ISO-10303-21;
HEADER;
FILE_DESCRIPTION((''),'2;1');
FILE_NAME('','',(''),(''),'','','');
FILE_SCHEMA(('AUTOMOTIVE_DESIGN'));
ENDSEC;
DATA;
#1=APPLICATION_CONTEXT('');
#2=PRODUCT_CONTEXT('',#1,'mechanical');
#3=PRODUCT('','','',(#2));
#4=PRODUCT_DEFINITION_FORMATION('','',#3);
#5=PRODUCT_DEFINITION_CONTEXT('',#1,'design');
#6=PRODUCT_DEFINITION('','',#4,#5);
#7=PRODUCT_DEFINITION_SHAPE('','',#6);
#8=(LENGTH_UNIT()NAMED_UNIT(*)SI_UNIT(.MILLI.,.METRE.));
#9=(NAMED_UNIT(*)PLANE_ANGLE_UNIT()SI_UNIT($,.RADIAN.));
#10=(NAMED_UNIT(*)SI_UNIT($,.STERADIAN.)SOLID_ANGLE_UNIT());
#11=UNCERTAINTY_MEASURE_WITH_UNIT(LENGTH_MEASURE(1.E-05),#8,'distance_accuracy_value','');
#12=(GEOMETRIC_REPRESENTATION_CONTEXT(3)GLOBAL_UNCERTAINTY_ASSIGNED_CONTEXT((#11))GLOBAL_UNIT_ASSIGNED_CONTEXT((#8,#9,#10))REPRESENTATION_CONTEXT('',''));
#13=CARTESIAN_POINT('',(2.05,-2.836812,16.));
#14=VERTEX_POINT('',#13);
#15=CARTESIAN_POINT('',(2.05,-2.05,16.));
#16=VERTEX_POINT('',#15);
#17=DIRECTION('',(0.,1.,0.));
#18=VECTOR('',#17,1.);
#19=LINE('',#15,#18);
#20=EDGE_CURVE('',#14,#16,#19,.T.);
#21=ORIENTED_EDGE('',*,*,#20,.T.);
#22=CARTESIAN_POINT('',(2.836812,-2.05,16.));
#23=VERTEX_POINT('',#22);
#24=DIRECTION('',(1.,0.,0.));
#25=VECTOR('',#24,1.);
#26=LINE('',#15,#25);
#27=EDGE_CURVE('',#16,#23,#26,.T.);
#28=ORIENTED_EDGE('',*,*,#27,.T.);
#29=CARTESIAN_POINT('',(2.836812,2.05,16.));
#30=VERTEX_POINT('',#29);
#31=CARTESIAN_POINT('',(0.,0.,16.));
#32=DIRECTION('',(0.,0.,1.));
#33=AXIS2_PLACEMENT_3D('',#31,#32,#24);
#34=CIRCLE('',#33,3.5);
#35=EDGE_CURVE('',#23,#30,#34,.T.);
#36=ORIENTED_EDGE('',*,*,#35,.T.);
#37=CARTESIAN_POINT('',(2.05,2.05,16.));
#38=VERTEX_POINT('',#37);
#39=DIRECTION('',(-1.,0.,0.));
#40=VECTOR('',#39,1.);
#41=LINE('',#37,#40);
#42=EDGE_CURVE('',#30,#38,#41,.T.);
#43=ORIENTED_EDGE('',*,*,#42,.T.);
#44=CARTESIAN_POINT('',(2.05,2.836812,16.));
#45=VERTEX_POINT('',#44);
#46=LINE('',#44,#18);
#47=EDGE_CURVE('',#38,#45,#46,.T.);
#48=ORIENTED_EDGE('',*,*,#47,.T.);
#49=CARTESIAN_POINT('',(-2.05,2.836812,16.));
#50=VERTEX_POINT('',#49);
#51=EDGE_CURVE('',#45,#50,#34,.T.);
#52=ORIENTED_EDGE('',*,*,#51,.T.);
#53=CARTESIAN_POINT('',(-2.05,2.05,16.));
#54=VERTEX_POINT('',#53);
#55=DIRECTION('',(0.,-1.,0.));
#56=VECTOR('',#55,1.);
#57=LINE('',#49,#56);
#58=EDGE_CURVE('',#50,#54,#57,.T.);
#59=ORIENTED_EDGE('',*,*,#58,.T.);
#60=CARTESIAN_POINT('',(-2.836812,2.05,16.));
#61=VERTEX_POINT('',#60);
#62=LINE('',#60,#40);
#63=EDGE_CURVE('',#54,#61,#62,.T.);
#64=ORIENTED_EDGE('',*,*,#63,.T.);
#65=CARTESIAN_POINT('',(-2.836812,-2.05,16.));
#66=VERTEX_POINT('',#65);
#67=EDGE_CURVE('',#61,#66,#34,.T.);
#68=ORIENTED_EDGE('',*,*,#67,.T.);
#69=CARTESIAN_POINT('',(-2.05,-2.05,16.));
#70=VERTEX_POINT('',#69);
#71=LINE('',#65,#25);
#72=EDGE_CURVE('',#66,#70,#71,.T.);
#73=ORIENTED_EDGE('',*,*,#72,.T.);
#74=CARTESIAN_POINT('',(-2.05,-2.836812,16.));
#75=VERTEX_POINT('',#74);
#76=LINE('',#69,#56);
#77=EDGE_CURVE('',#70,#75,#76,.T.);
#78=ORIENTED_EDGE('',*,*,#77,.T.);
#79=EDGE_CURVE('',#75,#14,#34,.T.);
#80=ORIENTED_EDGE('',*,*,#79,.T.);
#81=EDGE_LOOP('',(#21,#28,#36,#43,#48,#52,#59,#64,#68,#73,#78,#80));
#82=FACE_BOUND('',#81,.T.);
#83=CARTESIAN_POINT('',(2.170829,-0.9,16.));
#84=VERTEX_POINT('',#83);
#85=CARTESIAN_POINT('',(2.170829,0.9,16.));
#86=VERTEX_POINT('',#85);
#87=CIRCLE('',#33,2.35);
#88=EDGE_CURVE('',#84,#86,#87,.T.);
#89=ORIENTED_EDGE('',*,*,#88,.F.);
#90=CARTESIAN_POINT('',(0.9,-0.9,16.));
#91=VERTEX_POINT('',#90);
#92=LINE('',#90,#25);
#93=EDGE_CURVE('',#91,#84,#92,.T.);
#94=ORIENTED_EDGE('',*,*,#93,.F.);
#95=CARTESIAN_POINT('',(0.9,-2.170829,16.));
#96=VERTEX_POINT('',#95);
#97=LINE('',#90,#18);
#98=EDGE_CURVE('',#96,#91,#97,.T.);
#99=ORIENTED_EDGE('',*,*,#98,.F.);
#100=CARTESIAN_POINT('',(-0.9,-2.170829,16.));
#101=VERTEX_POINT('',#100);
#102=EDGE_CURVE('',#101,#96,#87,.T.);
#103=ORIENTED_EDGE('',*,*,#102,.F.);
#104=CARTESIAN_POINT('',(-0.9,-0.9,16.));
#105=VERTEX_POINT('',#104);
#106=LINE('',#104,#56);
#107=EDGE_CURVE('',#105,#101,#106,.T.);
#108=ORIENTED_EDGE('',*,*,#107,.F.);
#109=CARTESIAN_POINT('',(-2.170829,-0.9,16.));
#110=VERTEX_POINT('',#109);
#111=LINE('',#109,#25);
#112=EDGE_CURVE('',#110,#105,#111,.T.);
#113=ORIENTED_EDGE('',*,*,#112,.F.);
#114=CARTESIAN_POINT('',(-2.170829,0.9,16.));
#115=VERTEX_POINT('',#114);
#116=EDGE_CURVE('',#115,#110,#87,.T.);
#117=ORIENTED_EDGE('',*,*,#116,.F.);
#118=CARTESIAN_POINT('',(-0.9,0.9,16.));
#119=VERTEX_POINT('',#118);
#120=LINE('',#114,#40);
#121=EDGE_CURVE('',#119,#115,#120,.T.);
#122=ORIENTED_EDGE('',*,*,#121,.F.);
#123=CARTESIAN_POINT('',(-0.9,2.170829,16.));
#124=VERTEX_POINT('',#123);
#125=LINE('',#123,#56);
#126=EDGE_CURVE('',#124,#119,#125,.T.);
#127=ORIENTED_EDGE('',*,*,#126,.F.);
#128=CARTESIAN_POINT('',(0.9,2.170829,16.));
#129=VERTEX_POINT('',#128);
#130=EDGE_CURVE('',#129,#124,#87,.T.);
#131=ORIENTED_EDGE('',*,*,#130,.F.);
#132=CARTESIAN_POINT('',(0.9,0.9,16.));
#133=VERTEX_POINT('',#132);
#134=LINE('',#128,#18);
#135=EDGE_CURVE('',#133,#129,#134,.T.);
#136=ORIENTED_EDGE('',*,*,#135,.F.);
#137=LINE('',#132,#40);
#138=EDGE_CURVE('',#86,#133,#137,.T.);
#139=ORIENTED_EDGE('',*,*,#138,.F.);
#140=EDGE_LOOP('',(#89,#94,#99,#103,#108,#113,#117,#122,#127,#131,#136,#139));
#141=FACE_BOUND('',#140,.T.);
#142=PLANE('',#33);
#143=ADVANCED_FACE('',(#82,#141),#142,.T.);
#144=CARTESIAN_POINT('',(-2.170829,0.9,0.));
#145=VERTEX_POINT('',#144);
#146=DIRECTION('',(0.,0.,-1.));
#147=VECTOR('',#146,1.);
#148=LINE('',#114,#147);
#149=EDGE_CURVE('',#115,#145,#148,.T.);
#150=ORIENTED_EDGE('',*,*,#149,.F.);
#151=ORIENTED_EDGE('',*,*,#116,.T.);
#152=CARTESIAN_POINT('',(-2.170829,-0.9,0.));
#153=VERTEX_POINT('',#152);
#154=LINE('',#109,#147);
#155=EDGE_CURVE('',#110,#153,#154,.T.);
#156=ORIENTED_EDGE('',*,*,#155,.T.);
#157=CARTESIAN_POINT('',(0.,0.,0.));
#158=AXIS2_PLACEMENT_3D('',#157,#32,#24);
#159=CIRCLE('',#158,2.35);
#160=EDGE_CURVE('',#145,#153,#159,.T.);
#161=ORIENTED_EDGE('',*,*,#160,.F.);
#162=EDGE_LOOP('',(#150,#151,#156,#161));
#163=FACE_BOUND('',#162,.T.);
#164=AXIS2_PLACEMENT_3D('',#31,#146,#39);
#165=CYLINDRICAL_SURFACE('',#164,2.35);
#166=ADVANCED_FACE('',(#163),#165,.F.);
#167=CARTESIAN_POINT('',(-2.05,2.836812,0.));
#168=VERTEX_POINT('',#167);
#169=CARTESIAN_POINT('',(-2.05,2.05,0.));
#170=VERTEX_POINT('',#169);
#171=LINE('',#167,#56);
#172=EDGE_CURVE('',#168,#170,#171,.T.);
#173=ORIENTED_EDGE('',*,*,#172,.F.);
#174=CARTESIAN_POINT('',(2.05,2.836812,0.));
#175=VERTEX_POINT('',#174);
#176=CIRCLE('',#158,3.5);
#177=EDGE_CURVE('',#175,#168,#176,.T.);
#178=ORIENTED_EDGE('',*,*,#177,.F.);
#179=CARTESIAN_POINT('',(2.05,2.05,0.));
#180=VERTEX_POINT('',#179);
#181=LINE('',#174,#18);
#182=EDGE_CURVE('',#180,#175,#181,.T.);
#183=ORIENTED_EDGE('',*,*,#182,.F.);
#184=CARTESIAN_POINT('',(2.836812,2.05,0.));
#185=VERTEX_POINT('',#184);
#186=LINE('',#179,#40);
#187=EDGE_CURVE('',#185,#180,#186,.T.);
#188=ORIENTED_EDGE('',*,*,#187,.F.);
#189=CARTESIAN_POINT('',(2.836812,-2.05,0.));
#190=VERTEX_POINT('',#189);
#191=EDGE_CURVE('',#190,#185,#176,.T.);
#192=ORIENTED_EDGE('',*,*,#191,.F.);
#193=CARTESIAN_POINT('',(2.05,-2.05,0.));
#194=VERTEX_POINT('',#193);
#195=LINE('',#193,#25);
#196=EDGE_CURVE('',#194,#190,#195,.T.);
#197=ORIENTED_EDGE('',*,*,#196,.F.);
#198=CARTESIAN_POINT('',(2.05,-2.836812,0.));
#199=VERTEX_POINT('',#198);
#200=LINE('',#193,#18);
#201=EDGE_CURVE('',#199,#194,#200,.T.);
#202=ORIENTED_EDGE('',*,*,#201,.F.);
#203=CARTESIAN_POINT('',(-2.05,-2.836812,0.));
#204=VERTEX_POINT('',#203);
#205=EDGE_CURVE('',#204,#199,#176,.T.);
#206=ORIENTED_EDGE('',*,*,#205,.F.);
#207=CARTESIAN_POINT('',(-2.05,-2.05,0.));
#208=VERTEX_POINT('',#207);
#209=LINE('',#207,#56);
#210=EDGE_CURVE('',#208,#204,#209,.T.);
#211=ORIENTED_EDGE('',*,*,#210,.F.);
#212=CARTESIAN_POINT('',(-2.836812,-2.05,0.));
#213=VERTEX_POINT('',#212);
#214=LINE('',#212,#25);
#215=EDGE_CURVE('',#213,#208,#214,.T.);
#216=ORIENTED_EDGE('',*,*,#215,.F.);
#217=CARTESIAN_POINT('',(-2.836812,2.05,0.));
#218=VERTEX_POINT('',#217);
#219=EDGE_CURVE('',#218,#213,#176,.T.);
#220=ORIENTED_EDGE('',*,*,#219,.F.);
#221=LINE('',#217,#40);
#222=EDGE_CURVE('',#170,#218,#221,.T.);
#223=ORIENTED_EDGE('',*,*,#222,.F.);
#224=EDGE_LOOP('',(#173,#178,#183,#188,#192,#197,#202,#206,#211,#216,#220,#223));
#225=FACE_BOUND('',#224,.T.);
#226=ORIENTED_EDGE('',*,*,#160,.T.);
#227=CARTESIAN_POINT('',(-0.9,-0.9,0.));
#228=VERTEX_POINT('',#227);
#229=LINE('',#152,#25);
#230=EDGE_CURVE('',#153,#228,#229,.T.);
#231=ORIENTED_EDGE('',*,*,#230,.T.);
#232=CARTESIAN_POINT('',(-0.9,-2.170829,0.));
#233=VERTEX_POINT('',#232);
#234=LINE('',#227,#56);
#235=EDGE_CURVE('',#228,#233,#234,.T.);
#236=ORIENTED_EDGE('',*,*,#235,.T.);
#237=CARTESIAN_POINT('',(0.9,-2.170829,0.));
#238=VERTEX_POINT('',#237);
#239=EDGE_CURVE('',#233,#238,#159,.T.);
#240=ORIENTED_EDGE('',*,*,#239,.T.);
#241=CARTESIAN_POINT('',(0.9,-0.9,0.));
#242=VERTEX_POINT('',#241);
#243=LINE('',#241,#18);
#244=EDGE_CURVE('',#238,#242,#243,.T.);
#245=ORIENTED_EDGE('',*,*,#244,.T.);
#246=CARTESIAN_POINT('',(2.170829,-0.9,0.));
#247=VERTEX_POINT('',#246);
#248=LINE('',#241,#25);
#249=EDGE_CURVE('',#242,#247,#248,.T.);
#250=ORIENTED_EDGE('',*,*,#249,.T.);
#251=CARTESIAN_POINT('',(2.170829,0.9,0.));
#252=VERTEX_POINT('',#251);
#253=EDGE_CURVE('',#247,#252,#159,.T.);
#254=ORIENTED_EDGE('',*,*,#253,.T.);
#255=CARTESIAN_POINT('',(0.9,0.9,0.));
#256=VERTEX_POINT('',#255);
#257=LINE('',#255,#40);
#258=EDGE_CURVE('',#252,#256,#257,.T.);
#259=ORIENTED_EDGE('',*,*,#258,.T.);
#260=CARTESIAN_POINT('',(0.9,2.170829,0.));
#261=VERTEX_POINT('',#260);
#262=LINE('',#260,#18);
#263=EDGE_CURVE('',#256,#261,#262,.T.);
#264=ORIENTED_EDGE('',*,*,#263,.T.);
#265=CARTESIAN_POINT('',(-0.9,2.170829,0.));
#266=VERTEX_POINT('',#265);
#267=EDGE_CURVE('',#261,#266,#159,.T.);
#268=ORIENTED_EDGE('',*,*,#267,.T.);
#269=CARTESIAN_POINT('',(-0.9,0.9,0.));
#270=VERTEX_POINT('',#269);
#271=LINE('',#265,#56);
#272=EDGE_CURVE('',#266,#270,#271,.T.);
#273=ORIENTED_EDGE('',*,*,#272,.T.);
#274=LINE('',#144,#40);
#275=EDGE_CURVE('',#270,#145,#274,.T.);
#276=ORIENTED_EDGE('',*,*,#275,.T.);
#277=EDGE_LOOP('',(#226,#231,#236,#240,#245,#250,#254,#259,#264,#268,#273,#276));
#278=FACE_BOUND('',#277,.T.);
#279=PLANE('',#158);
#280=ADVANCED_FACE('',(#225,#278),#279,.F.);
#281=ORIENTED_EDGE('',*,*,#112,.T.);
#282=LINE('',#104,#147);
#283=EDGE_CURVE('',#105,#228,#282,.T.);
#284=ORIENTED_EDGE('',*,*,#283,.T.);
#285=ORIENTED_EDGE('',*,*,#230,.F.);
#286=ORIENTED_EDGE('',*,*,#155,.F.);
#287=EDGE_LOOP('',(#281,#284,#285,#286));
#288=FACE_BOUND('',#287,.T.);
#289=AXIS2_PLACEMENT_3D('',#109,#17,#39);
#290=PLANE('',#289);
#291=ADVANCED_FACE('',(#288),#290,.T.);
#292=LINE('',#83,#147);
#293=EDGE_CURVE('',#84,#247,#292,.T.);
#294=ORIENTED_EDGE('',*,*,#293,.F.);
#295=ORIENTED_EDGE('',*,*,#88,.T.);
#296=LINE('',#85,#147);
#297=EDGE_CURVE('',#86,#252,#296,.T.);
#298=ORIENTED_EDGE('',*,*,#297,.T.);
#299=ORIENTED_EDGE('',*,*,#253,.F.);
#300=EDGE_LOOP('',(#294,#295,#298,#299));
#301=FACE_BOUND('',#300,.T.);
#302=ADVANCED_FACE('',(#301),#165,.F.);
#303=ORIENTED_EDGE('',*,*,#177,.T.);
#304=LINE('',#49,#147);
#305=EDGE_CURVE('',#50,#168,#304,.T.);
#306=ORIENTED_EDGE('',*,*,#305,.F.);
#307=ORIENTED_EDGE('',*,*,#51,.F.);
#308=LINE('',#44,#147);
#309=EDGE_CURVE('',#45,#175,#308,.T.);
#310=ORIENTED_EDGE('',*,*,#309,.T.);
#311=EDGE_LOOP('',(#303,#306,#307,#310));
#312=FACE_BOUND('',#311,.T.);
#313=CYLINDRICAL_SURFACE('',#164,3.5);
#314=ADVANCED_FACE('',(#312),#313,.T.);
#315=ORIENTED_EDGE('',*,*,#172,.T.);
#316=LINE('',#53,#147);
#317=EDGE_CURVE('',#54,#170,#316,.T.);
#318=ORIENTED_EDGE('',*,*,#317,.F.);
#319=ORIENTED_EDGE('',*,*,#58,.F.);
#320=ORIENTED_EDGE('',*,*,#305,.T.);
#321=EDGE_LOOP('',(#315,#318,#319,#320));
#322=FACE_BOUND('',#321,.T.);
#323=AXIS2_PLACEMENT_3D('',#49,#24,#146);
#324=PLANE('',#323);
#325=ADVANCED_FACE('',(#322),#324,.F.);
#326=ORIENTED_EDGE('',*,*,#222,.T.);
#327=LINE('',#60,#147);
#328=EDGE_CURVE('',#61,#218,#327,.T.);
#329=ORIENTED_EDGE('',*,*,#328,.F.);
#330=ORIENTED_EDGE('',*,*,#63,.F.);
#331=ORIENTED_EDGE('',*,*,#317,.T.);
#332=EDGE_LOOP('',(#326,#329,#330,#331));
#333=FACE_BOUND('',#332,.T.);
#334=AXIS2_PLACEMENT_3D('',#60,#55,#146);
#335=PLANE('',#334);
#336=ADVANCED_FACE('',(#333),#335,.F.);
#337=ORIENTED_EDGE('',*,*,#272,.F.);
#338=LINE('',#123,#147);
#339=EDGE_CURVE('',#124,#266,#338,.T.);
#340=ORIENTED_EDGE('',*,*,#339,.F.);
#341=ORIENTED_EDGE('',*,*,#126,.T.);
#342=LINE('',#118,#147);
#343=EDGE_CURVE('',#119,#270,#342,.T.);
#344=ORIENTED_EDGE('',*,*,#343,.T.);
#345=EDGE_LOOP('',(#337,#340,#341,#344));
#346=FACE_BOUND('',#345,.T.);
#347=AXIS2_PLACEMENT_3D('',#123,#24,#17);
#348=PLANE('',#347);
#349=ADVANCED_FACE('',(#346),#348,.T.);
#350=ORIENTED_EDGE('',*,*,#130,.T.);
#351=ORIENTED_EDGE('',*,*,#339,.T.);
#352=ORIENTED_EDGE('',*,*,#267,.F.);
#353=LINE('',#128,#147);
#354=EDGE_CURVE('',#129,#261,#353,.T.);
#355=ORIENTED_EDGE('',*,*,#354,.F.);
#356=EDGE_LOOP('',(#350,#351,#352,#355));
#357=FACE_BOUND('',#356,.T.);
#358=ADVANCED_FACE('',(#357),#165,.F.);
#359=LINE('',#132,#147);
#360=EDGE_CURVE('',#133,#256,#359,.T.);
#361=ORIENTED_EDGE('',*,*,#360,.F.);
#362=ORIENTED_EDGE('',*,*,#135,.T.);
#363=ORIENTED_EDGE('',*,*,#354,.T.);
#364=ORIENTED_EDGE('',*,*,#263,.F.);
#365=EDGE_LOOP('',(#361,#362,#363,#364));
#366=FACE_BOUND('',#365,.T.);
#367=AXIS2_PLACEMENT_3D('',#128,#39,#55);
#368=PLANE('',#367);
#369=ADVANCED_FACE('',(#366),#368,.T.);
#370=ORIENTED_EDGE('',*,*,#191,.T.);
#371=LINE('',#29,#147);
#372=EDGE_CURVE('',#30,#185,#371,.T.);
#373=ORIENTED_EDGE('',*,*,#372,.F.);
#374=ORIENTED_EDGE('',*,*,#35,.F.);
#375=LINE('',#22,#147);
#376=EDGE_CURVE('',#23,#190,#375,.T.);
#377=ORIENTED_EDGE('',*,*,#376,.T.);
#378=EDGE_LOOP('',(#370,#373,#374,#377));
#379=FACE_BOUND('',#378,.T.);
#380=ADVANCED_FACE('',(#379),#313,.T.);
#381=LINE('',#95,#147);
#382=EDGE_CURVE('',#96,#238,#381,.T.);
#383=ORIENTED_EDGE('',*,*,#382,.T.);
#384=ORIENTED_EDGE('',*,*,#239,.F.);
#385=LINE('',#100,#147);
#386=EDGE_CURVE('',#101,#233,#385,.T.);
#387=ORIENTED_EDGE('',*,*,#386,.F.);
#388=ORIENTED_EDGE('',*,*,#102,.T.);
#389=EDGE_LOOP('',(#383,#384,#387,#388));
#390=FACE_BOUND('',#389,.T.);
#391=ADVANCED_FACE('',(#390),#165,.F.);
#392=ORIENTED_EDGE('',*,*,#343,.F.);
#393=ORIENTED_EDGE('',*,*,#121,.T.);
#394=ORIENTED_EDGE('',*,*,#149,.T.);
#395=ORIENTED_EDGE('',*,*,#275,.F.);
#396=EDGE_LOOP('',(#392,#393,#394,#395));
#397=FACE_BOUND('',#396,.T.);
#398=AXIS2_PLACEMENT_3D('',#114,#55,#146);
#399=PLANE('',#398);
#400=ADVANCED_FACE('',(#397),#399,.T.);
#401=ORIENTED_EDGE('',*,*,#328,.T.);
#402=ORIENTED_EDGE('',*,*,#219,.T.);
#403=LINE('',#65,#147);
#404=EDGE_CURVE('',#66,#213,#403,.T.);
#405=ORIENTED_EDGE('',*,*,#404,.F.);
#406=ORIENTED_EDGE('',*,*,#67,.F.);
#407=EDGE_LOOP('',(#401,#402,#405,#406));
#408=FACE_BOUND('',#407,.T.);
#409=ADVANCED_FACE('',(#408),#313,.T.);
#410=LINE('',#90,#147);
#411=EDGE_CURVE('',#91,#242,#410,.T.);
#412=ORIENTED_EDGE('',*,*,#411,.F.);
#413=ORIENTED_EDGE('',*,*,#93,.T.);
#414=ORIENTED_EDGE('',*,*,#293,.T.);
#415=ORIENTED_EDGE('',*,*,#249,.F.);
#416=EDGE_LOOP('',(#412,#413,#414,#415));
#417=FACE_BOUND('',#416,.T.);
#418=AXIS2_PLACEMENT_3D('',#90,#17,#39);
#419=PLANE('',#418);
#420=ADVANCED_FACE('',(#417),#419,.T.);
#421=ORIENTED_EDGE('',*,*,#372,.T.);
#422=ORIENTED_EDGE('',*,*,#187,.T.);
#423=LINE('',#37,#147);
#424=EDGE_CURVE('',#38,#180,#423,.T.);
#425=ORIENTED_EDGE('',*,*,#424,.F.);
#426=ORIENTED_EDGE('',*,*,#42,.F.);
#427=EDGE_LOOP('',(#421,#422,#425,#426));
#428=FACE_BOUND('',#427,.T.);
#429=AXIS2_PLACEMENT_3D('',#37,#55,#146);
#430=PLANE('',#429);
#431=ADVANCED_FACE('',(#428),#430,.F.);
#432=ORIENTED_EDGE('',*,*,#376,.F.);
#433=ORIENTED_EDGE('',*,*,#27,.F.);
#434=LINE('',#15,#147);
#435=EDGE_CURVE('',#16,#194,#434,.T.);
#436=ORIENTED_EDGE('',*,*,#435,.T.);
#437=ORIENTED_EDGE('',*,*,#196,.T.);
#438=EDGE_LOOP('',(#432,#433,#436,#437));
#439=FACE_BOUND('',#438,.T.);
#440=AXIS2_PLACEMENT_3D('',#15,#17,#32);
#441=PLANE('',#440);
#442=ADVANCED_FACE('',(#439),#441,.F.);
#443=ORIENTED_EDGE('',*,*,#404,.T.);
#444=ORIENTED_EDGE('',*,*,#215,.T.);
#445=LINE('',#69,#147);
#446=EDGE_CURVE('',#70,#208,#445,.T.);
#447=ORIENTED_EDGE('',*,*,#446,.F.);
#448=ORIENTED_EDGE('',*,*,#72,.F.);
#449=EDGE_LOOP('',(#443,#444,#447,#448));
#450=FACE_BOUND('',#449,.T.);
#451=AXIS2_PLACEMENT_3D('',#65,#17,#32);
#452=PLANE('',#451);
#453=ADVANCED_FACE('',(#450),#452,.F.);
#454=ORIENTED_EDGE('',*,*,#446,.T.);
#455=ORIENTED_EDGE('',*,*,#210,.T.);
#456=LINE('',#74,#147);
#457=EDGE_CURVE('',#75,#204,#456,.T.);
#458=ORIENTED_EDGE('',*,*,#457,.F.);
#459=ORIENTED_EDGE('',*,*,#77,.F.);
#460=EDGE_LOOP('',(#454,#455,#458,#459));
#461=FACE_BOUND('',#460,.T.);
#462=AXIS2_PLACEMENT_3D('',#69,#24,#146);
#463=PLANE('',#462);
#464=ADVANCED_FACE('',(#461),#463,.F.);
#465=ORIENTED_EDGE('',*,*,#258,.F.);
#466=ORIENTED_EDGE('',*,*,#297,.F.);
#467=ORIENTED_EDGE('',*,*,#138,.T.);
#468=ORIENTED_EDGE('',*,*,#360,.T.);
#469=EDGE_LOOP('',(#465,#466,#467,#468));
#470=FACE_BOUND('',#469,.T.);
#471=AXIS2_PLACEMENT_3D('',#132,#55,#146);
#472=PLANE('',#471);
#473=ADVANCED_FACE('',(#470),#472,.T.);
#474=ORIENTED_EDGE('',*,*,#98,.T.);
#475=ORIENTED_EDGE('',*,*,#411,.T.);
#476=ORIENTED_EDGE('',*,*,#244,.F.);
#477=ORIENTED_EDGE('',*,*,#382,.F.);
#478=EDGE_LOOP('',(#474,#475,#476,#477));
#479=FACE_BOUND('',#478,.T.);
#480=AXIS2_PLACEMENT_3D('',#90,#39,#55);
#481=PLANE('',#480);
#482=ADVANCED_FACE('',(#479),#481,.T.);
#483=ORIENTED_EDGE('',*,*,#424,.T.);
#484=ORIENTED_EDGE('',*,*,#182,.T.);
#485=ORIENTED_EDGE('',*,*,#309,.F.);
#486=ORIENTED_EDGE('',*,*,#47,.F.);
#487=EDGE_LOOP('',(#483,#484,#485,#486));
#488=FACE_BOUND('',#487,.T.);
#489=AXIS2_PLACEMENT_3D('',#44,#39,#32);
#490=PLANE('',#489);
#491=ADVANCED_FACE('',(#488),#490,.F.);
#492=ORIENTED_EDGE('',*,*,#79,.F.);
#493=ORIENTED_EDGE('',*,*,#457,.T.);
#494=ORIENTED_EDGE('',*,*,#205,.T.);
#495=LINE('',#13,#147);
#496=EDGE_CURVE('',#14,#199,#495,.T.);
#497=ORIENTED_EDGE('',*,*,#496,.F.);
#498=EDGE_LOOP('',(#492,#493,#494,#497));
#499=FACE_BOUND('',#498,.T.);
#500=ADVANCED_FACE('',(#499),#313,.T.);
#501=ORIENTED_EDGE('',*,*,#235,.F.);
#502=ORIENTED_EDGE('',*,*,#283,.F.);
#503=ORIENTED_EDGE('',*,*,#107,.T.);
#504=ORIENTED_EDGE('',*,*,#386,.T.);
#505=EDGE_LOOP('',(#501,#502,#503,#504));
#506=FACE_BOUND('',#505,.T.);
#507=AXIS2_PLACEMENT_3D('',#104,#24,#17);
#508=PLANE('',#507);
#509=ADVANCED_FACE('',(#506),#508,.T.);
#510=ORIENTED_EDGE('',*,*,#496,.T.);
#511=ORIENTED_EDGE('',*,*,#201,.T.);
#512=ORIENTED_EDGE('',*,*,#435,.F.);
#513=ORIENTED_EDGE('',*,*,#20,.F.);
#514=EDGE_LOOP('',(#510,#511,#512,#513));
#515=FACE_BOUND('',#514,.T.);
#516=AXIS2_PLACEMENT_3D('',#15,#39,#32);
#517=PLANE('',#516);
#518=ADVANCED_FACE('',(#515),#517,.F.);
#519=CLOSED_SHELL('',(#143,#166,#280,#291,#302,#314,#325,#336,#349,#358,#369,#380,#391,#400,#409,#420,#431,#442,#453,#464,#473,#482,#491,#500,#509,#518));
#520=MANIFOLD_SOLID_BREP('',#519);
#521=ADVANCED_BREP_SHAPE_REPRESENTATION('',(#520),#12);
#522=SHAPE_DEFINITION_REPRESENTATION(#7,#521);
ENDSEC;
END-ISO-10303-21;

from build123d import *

# Parameters (mm, degrees)
BOSS_EXTRUDE1_DEPTH = 16


with BuildPart() as part:
    # Sketch1 → Boss-Extrude1 (new body)
    with BuildSketch(Plane.XY):
        with BuildLine():
            Line((-2.05, 2.836811591), (-2.05, 2.05))
            Line((-2.05, 2.05), (-2.836811591, 2.05))
            ThreePointArc((-2.836811591, 2.05), (-3.5, 0), (-2.836811591, -2.05))
            Line((-2.836811591, -2.05), (-2.05, -2.05))
            Line((-2.05, -2.05), (-2.05, -2.836811591))
            ThreePointArc((-2.05, -2.836811591), (0, -3.5), (2.05, -2.836811591))
            Line((2.05, -2.836811591), (2.05, -2.05))
            Line((2.05, -2.05), (2.836811591, -2.05))
            ThreePointArc((2.836811591, -2.05), (3.5, 0), (2.836811591, 2.05))
            Line((2.836811591, 2.05), (2.05, 2.05))
            Line((2.05, 2.05), (2.05, 2.836811591))
            ThreePointArc((2.05, 2.836811591), (0, 3.5), (-2.05, 2.836811591))
        make_face()
        with BuildLine():
            Line((-0.9, 2.170829335), (-0.9, 0.9))
            Line((-0.9, 0.9), (-2.170829335, 0.9))
            ThreePointArc((-2.170829335, 0.9), (-2.35, 0), (-2.170829335, -0.9))
            Line((-2.170829335, -0.9), (-0.9, -0.9))
            Line((-0.9, -0.9), (-0.9, -2.170829335))
            ThreePointArc((-0.9, -2.170829335), (0, -2.35), (0.9, -2.170829335))
            Line((0.9, -2.170829335), (0.9, -0.9))
            Line((0.9, -0.9), (2.170829335, -0.9))
            ThreePointArc((2.170829335, -0.9), (2.35, 0), (2.170829335, 0.9))
            Line((2.170829335, 0.9), (0.9, 0.9))
            Line((0.9, 0.9), (0.9, 2.170829335))
            ThreePointArc((0.9, 2.170829335), (0, 2.35), (-0.9, 2.170829335))
        make_face(mode=Mode.SUBTRACT)
    extrude(amount=BOSS_EXTRUDE1_DEPTH)


solid = part.part
